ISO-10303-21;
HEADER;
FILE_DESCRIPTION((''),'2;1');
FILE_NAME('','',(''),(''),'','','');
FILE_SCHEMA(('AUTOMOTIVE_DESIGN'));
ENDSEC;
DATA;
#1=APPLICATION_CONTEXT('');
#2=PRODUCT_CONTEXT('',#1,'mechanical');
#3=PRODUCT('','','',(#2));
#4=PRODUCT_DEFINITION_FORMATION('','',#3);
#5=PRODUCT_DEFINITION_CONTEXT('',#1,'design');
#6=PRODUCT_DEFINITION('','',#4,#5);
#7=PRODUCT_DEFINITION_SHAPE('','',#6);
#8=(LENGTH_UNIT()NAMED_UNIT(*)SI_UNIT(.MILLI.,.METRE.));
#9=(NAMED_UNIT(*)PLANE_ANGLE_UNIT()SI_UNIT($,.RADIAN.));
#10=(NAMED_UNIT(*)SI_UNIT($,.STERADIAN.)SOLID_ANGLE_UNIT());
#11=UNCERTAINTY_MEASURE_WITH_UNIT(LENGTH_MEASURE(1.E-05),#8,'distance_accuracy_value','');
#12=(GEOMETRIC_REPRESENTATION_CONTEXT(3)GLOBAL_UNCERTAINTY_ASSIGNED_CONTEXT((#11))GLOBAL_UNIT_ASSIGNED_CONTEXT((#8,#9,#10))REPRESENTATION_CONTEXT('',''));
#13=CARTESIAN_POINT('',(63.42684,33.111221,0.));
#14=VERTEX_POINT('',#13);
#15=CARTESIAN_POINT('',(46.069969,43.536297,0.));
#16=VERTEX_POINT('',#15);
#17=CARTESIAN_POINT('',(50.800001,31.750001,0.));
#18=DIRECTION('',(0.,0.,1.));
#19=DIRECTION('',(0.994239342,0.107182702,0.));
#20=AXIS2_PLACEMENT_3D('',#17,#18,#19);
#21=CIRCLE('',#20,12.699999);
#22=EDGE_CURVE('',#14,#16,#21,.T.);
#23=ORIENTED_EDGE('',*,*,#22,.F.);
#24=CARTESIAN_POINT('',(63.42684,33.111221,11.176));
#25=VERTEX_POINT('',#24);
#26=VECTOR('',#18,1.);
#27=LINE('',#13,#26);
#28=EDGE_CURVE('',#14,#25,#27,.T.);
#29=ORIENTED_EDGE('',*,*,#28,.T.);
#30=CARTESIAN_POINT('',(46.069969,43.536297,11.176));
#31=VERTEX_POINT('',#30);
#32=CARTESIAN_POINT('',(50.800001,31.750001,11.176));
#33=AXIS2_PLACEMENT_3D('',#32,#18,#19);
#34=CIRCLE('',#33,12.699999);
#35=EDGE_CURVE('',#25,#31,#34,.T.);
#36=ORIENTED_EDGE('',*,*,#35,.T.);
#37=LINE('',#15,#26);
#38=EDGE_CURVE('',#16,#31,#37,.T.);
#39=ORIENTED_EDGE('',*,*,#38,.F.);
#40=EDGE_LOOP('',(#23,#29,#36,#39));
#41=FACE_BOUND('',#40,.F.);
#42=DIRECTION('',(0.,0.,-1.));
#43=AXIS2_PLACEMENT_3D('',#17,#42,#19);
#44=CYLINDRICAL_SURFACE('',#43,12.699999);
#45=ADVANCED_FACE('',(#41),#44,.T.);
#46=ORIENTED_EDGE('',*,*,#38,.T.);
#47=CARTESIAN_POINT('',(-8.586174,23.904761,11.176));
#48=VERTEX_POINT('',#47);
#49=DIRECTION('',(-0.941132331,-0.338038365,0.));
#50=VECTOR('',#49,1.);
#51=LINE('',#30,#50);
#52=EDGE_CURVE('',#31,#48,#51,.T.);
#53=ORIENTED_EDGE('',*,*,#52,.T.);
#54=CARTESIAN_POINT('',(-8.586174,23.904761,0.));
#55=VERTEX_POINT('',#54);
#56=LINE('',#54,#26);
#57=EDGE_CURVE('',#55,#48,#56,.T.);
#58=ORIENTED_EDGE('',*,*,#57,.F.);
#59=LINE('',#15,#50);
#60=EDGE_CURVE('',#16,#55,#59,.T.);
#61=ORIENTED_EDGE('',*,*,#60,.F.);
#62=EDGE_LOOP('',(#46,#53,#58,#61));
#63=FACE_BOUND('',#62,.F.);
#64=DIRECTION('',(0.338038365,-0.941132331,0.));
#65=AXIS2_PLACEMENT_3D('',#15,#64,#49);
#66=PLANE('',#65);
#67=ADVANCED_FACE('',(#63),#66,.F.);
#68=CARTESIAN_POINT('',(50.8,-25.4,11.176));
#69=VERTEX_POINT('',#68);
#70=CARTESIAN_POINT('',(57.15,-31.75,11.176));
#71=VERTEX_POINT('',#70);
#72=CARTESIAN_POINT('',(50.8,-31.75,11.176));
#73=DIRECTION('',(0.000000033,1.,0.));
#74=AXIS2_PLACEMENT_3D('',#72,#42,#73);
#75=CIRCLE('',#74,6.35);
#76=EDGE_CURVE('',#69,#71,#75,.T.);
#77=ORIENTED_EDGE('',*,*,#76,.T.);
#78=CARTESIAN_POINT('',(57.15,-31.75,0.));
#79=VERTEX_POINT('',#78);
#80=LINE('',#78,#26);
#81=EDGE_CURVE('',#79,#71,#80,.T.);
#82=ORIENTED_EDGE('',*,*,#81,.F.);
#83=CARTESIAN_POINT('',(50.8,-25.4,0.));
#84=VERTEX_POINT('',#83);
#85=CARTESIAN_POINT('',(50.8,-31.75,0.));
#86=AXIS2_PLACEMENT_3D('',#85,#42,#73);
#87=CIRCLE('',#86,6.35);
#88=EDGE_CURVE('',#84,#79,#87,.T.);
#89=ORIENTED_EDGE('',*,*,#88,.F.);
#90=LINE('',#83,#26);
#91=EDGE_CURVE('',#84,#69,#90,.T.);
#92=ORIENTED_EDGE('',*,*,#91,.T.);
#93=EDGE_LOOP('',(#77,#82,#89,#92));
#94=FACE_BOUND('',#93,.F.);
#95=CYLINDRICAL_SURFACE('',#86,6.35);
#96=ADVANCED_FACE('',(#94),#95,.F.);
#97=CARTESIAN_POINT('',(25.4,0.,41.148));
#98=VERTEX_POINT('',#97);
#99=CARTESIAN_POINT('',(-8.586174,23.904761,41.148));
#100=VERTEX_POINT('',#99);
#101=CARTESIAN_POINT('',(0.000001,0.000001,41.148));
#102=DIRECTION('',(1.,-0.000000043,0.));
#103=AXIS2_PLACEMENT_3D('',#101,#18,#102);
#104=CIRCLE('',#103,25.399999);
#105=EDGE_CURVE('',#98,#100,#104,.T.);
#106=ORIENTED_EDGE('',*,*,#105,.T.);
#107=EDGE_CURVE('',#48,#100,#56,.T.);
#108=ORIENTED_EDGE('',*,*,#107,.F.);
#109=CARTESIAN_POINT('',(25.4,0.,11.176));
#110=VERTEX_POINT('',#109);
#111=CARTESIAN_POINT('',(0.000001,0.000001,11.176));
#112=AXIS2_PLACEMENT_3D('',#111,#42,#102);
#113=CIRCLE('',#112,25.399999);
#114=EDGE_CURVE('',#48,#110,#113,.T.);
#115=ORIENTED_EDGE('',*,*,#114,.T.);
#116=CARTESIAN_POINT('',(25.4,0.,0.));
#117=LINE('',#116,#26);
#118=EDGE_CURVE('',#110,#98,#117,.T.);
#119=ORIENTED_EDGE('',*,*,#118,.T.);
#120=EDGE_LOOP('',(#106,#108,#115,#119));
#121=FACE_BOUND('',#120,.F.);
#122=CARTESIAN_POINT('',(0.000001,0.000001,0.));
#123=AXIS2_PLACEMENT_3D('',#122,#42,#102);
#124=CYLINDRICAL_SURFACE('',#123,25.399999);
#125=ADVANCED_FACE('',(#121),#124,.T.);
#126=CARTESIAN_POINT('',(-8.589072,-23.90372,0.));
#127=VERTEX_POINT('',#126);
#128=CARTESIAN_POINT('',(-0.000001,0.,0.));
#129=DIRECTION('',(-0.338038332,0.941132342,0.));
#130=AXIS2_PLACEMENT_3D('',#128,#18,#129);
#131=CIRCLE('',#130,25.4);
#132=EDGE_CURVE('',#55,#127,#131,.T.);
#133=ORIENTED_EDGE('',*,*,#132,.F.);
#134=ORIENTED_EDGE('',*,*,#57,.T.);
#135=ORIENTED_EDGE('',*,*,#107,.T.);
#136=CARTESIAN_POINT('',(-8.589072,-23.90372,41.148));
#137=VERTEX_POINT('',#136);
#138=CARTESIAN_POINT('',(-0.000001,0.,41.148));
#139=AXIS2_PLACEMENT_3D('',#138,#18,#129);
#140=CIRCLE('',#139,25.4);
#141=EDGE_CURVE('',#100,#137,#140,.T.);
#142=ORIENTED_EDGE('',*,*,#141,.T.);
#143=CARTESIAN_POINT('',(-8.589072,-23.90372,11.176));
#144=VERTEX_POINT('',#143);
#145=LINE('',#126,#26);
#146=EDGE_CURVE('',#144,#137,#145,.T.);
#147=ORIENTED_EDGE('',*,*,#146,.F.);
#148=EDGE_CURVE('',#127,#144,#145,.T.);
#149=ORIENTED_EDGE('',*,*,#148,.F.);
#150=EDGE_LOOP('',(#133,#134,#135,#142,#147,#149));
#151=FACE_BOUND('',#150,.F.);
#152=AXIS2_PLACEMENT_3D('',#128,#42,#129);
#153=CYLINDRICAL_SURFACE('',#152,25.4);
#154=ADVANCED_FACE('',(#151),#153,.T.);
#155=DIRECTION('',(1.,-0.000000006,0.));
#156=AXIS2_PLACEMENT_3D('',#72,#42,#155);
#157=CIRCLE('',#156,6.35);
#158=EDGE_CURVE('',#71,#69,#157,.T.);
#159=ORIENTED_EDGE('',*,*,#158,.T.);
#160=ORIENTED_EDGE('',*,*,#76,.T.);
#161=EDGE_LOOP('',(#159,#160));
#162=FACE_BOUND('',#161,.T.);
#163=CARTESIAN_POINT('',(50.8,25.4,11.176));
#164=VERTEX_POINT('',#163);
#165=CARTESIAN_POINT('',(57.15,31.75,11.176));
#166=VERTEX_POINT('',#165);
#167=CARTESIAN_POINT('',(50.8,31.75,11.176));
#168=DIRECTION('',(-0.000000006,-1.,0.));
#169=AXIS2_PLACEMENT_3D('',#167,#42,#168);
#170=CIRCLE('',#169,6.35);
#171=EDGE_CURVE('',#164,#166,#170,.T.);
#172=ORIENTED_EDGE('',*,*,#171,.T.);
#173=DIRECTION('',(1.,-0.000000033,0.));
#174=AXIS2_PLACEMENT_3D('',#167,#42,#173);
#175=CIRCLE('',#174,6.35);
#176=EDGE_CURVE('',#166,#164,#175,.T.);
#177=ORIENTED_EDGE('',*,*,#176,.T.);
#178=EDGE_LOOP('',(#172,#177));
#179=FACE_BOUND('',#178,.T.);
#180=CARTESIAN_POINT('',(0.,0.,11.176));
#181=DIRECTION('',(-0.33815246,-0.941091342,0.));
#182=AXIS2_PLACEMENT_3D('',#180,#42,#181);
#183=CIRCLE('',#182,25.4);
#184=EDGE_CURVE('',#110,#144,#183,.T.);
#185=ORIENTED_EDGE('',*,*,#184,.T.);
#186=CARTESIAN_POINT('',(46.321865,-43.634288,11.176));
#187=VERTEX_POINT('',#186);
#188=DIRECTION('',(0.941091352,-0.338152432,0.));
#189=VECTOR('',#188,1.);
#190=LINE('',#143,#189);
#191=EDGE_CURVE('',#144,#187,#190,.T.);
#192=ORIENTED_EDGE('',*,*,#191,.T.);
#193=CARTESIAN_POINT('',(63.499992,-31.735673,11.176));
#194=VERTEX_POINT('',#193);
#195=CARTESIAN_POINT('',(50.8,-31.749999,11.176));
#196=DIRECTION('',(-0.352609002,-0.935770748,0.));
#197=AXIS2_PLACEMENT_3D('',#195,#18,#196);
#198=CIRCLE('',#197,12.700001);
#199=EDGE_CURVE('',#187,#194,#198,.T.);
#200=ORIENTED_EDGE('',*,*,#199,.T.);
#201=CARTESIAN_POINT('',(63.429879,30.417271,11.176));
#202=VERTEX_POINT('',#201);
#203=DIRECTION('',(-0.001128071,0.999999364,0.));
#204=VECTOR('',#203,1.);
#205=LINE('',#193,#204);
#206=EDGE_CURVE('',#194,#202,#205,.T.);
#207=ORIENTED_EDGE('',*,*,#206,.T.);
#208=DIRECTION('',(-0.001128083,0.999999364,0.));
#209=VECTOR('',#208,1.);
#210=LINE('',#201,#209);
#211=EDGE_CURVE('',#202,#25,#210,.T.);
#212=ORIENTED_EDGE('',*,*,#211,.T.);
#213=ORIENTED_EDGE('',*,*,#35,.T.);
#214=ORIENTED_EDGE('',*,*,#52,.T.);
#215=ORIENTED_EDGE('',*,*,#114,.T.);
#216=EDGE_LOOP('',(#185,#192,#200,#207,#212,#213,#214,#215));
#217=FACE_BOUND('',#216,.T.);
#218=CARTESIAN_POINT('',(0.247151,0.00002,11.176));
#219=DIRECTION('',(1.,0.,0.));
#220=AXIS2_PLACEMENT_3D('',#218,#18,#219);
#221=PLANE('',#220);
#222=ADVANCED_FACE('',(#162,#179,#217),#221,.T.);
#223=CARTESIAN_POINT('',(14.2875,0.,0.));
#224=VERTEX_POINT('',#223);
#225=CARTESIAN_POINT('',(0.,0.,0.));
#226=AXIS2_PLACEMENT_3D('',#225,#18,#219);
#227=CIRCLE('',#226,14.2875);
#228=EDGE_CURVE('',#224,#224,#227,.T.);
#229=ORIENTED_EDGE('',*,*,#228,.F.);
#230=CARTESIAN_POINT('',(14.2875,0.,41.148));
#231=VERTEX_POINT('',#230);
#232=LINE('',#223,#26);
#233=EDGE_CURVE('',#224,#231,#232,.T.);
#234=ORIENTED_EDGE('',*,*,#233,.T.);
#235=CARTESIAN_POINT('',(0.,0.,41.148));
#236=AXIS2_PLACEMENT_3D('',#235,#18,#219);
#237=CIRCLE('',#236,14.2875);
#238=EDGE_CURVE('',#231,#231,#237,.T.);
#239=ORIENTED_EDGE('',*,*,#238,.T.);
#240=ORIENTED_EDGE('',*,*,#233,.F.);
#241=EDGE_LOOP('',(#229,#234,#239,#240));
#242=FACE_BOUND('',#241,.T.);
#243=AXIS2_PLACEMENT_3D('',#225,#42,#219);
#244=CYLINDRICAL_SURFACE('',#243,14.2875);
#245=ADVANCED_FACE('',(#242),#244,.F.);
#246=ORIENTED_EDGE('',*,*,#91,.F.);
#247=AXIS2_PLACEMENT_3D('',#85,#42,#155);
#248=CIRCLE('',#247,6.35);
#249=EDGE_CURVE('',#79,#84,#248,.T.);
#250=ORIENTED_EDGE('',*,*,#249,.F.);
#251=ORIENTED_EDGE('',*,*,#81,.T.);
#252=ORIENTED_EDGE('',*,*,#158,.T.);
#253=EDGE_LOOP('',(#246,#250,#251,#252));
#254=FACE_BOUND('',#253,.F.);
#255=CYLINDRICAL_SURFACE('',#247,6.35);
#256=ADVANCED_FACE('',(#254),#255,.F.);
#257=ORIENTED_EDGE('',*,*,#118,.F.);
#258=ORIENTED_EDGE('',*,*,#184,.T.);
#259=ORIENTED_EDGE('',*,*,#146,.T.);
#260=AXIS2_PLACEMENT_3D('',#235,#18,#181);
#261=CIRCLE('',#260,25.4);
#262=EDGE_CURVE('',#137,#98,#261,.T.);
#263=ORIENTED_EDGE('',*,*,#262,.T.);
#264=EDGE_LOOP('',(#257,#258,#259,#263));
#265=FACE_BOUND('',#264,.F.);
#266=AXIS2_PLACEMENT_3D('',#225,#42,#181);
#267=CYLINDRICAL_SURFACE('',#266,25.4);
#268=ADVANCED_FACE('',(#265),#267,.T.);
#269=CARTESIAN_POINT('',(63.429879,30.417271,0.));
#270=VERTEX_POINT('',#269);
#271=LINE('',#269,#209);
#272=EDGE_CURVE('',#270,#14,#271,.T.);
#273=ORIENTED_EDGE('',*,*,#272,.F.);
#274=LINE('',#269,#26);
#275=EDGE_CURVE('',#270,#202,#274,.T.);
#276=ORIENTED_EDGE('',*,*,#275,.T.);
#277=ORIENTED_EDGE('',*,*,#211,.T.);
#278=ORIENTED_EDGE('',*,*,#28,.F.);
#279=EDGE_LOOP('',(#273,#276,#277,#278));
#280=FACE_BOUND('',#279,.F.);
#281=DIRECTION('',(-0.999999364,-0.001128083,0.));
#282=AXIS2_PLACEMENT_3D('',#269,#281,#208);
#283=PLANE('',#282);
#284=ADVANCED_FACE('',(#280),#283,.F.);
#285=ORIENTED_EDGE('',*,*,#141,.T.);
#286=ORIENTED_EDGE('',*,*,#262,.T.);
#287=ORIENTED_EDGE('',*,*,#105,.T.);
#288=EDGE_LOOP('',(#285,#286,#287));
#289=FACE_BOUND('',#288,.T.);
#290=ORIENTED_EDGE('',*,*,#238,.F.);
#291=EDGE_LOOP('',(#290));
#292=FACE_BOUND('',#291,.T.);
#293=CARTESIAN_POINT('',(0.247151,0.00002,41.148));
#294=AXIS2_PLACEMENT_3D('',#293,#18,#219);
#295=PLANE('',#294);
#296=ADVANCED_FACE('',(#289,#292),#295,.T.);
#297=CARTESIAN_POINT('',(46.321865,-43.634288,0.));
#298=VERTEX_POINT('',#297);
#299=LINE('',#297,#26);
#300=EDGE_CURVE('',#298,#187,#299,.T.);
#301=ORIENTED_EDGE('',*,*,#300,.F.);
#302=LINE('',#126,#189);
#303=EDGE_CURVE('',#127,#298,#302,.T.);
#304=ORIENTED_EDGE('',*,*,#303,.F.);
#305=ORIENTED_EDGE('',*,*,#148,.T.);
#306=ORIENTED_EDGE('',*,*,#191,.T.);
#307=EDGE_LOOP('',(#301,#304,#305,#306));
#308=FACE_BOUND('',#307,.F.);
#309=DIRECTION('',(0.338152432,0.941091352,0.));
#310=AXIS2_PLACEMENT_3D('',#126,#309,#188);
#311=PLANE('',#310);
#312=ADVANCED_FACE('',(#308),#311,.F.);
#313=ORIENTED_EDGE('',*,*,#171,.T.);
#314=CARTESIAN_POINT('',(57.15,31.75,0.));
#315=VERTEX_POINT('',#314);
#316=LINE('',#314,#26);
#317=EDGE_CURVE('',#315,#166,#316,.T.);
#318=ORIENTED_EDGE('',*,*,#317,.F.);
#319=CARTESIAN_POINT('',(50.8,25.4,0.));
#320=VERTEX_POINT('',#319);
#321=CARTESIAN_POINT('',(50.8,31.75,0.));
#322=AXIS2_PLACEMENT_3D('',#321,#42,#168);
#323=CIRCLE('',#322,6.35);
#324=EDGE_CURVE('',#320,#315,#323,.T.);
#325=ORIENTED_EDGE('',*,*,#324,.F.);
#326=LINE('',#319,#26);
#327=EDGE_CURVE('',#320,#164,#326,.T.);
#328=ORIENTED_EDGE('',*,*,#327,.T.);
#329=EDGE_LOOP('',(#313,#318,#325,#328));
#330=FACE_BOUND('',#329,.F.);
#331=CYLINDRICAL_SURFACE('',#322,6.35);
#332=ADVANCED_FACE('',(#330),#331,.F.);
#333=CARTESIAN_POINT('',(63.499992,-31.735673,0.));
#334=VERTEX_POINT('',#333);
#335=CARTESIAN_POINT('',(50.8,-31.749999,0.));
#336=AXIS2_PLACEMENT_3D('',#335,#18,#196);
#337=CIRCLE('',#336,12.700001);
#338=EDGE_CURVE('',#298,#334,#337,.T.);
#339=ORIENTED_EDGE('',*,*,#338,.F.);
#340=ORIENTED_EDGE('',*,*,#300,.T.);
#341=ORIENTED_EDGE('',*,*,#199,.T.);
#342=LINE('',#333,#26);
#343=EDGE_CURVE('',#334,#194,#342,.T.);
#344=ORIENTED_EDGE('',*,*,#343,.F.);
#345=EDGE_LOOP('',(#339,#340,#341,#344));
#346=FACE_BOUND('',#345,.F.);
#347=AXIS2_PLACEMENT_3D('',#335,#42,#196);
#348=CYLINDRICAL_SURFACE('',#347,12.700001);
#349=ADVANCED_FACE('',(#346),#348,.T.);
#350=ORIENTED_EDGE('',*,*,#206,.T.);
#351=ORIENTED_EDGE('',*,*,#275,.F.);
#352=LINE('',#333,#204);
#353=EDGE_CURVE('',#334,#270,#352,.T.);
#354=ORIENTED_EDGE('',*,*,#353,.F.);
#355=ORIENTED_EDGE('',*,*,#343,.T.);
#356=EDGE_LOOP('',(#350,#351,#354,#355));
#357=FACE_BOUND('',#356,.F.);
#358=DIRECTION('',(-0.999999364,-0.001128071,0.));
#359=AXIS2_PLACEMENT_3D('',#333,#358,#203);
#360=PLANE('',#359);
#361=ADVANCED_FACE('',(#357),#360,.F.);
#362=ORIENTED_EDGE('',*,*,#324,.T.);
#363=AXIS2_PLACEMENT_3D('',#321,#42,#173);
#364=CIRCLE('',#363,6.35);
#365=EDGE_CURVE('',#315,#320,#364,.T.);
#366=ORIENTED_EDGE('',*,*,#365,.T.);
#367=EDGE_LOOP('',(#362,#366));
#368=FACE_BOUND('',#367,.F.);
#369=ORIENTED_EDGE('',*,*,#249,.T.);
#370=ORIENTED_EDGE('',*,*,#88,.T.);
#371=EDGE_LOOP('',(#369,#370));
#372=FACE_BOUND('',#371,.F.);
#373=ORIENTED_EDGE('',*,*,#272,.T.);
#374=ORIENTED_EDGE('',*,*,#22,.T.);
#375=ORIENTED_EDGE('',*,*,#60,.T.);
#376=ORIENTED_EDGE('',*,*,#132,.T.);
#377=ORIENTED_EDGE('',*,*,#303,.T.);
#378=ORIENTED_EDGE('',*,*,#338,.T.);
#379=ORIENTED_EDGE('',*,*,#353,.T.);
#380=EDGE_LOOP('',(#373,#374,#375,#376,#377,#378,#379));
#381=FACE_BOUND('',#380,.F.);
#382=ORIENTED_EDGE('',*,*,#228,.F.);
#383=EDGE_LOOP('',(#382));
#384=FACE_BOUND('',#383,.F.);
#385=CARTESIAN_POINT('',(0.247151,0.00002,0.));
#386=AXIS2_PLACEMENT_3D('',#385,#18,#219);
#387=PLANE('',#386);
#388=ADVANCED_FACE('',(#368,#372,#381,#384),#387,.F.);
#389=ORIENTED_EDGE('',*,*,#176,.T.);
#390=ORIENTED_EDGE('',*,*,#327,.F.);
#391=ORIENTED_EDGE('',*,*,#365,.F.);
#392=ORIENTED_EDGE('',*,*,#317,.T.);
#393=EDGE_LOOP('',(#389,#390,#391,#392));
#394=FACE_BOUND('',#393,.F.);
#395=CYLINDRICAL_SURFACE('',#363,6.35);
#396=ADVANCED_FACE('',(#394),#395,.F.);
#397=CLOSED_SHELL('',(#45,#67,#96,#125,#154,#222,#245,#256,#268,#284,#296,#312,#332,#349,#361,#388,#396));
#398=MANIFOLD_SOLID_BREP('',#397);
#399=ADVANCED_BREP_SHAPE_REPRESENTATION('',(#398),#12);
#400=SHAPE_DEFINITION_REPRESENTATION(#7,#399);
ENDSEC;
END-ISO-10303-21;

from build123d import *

# Parameters (mm, degrees)
F0_R     = 14.2875
F1_DEPTH = 11.176
F2_DEPTH = 41.148


with BuildPart() as f1:
    # F0 (on Top) → F1 (new body)
    with BuildSketch(Plane.XY):
        with BuildLine():
            ThreePointArc((-8.589072, -23.90372), (14.611598, -20.776458), (25.4, 0))
            ThreePointArc((25.4, 0), (14.612857, 20.775573), (-8.586174, 23.904761))
            ThreePointArc((-8.586174, 23.904761), (-25.4, 0.001539), (-8.589072, -23.90372))
        make_face()
        Circle(F0_R, mode=Mode.SUBTRACT)
        with BuildLine():
            ThreePointArc((-8.586174, 23.904761), (14.612857, 20.775573), (25.4, 0))
            ThreePointArc((25.4, 0), (14.611598, -20.776458), (-8.589072, -23.90372))
            Line((-8.589072, -23.90372), (46.321865, -43.634288))
            ThreePointArc((46.321865, -43.634288), (58.031458, -42.190115), (63.499992, -31.735673))
            Line((63.499992, -31.735673), (63.429879, 30.417271))
            Line((63.429879, 30.417271), (63.42684, 33.111221))
            ThreePointArc((63.42684, 33.111221), (57.339148, 42.637128), (46.069969, 43.536297))
            Line((46.069969, 43.536297), (-8.586174, 23.904761))
        make_face()
        with BuildLine():
            ThreePointArc((57.15, -31.75), (46.309872, -36.240128), (50.8, -25.4))
            ThreePointArc((50.8, -25.4), (55.290128, -27.259872), (57.15, -31.75))
        make_face(mode=Mode.SUBTRACT)
        with BuildLine():
            ThreePointArc((57.15, 31.75), (55.290128, 27.259872), (50.8, 25.4))
            ThreePointArc((50.8, 25.4), (46.309872, 36.240128), (57.15, 31.75))
        make_face(mode=Mode.SUBTRACT)
    extrude(amount=F1_DEPTH)

    # F0 (on Top) → F2 (join)
    with BuildSketch(Plane.XY):
        with BuildLine():
            ThreePointArc((-8.589072, -23.90372), (14.611598, -20.776458), (25.4, 0))
            ThreePointArc((25.4, 0), (14.612857, 20.775573), (-8.586174, 23.904761))
            ThreePointArc((-8.586174, 23.904761), (-25.4, 0.001539), (-8.589072, -23.90372))
        make_face()
        Circle(F0_R, mode=Mode.SUBTRACT)
    extrude(amount=F2_DEPTH)


solid = f1.part
